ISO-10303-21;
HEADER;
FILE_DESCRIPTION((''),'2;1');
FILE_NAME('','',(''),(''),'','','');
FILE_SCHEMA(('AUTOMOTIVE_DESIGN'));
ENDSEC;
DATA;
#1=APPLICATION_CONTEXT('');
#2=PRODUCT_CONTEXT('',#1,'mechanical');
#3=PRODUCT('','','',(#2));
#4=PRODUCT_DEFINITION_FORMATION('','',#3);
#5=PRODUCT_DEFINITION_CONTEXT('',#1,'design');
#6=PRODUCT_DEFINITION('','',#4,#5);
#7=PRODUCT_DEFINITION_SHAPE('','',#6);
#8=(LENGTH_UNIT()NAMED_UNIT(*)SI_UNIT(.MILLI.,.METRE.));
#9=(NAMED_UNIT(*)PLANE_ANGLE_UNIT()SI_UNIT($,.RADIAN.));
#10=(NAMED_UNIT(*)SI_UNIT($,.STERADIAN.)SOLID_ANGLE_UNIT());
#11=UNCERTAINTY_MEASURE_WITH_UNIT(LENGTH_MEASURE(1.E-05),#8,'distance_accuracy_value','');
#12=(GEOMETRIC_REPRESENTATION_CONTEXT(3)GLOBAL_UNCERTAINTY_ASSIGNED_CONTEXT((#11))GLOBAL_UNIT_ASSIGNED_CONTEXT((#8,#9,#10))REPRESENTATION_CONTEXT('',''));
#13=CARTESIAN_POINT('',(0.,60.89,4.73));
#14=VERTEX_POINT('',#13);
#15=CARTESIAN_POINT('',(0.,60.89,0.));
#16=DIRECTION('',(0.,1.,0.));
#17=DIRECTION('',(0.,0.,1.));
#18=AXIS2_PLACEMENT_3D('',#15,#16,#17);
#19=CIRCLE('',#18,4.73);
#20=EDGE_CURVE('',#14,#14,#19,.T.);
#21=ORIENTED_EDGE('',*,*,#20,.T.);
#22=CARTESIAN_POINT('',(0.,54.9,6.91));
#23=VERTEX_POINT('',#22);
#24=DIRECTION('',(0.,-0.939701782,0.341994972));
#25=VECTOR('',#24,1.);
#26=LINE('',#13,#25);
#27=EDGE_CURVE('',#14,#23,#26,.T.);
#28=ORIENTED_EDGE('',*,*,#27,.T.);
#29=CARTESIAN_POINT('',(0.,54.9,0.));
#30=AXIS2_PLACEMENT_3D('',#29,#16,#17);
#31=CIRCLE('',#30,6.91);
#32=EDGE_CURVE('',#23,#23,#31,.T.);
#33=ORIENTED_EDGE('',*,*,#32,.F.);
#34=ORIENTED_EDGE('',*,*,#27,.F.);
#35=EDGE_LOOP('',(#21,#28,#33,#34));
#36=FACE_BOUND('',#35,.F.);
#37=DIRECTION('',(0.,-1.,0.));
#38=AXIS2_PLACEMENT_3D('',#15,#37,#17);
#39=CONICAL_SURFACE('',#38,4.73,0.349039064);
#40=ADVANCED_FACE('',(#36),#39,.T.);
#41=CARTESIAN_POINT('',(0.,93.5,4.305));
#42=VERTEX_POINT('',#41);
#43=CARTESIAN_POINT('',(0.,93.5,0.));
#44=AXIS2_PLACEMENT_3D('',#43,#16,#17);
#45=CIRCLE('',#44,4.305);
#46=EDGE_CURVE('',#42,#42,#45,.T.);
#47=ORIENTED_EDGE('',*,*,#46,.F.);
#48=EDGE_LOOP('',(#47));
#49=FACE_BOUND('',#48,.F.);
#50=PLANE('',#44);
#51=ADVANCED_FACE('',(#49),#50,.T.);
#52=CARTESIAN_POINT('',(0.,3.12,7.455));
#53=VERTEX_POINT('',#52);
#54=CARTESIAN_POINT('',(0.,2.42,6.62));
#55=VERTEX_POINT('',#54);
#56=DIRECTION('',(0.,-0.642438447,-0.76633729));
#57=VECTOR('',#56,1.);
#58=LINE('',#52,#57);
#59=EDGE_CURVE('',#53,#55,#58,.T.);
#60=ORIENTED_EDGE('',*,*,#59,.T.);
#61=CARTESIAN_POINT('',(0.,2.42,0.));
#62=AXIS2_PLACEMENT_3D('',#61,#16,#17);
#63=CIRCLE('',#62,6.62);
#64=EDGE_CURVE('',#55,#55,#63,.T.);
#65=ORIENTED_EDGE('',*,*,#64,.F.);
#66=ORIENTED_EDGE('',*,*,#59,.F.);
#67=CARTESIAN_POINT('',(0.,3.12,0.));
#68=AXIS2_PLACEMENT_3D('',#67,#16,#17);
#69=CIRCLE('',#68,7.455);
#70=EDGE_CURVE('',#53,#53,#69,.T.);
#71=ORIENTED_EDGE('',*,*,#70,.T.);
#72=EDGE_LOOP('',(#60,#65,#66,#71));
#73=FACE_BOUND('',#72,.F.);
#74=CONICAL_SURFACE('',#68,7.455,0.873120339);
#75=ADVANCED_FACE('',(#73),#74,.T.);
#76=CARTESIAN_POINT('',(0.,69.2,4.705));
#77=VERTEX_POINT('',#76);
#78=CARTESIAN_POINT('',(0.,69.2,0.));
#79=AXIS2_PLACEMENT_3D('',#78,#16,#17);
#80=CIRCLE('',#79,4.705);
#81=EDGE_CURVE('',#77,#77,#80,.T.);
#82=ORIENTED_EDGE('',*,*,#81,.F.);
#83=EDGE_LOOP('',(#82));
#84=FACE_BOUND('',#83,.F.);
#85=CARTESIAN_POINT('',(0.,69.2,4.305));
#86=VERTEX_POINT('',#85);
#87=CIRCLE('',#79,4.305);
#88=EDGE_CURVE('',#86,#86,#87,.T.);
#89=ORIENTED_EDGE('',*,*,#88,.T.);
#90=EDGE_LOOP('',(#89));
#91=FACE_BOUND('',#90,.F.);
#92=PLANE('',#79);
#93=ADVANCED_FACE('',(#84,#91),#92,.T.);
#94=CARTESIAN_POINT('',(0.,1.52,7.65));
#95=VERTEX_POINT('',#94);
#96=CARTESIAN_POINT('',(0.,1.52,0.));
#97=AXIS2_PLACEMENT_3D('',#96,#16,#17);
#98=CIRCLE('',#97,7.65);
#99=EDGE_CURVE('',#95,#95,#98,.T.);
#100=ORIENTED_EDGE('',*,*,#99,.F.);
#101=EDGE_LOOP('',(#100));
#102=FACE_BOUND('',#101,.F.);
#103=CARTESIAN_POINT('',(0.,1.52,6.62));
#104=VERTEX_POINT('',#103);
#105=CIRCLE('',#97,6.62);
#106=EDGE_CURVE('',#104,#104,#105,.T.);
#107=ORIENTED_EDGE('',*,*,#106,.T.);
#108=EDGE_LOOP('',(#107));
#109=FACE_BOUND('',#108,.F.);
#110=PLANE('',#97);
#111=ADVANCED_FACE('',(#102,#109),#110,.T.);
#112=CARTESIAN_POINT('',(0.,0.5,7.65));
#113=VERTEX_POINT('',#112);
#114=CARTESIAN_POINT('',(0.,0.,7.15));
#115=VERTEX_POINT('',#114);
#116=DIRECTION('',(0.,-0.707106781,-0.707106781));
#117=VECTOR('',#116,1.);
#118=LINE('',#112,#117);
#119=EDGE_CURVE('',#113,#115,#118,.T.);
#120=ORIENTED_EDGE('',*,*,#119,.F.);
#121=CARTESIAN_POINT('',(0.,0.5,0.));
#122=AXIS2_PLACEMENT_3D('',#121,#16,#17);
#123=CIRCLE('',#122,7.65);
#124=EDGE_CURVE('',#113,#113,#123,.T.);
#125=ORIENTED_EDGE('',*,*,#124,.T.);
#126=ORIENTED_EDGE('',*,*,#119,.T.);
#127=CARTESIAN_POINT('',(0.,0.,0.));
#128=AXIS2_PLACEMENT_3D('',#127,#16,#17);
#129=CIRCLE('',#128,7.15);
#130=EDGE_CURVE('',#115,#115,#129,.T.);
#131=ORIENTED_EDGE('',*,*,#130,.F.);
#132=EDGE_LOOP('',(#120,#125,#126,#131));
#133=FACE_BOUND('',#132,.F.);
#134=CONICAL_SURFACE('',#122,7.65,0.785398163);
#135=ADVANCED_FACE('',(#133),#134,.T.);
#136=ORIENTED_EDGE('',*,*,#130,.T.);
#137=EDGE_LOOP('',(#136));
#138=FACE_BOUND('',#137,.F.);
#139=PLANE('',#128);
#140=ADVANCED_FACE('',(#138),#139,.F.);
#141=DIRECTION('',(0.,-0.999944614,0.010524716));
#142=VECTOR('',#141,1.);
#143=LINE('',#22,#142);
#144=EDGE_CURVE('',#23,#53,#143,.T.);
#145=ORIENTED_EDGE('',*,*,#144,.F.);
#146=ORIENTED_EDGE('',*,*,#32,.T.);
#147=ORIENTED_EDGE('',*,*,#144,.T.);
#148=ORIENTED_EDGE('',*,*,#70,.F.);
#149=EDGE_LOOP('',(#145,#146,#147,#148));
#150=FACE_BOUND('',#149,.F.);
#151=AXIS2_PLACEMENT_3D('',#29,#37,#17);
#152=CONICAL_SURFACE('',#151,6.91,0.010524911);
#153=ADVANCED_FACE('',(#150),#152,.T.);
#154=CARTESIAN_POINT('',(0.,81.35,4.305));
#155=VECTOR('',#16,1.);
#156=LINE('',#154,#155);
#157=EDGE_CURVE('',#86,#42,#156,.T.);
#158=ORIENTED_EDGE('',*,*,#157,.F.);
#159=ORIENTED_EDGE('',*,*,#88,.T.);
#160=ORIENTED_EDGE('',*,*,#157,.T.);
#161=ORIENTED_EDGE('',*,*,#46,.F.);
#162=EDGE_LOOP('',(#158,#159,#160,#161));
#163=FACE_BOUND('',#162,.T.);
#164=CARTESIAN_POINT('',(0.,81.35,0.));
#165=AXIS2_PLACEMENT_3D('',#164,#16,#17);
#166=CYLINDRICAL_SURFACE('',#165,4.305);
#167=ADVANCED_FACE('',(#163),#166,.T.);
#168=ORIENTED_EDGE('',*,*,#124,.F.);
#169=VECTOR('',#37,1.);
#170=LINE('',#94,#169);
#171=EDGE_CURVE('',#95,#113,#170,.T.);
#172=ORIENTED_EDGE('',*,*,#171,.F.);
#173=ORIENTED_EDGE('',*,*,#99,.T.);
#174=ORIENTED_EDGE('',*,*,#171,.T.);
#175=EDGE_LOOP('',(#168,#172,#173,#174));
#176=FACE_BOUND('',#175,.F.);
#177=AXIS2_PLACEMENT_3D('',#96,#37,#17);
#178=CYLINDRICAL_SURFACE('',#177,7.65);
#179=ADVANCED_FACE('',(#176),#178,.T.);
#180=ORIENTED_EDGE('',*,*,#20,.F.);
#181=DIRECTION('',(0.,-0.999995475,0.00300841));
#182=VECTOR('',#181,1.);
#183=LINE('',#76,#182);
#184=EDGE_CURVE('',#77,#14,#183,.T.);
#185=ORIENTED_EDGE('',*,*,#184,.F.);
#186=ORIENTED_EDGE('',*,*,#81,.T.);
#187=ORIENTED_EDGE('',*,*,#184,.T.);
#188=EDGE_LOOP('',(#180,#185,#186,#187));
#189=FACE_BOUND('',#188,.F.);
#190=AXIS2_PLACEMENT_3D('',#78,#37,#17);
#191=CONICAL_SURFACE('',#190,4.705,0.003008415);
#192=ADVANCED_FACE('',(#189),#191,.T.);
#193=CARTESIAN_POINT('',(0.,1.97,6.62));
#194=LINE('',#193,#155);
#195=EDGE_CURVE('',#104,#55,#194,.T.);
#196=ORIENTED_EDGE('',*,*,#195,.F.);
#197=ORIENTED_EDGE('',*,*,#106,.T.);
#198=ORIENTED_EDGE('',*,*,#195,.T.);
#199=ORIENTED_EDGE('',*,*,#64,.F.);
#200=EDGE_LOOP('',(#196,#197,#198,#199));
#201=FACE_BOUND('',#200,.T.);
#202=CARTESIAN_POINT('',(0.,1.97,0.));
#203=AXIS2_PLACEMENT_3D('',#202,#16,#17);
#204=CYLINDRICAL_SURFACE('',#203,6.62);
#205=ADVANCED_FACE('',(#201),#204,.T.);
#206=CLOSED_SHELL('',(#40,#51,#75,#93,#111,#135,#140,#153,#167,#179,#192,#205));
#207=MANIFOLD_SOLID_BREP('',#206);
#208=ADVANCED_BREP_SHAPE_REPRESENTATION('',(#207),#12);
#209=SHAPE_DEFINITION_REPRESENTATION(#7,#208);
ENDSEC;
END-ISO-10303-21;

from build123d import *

# Parameters (mm, degrees)
F0_W   = 0.9
F0_H   = 6.62
F0_W_2 = 24.3
F0_H_2 = 4.305


with BuildPart() as f1:
    # F0 (on Right) → F1 (revolve)
    with BuildSketch(Plane.YZ):
        Polygon((0, 7.15), (0, 0), (0.5, 0), (1.52, 0), (1.52, 6.62), (1.52, 7.65), (0.5, 7.65), align=None)
        with Locations((1.97, 3.31)):
            Rectangle(F0_W, F0_H)
        Polygon((2.42, 6.62), (2.42, 0), (3.12, 0), (3.12, 7.455), align=None)
        Polygon((3.12, 7.455), (3.12, 0), (54.9, 0), (54.9, 6.91), align=None)
        Polygon((54.9, 6.91), (54.9, 0), (60.89, 0), (60.89, 4.73), align=None)
        Polygon((60.89, 4.73), (60.89, 0), (69.2, 0), (69.2, 4.305), (69.2, 4.705), align=None)
        with Locations((81.35, 2.1525)):
            Rectangle(F0_W_2, F0_H_2)
    revolve(axis=Axis((0, 29.01, 0), (0, 1, 0)))


solid = f1.part
